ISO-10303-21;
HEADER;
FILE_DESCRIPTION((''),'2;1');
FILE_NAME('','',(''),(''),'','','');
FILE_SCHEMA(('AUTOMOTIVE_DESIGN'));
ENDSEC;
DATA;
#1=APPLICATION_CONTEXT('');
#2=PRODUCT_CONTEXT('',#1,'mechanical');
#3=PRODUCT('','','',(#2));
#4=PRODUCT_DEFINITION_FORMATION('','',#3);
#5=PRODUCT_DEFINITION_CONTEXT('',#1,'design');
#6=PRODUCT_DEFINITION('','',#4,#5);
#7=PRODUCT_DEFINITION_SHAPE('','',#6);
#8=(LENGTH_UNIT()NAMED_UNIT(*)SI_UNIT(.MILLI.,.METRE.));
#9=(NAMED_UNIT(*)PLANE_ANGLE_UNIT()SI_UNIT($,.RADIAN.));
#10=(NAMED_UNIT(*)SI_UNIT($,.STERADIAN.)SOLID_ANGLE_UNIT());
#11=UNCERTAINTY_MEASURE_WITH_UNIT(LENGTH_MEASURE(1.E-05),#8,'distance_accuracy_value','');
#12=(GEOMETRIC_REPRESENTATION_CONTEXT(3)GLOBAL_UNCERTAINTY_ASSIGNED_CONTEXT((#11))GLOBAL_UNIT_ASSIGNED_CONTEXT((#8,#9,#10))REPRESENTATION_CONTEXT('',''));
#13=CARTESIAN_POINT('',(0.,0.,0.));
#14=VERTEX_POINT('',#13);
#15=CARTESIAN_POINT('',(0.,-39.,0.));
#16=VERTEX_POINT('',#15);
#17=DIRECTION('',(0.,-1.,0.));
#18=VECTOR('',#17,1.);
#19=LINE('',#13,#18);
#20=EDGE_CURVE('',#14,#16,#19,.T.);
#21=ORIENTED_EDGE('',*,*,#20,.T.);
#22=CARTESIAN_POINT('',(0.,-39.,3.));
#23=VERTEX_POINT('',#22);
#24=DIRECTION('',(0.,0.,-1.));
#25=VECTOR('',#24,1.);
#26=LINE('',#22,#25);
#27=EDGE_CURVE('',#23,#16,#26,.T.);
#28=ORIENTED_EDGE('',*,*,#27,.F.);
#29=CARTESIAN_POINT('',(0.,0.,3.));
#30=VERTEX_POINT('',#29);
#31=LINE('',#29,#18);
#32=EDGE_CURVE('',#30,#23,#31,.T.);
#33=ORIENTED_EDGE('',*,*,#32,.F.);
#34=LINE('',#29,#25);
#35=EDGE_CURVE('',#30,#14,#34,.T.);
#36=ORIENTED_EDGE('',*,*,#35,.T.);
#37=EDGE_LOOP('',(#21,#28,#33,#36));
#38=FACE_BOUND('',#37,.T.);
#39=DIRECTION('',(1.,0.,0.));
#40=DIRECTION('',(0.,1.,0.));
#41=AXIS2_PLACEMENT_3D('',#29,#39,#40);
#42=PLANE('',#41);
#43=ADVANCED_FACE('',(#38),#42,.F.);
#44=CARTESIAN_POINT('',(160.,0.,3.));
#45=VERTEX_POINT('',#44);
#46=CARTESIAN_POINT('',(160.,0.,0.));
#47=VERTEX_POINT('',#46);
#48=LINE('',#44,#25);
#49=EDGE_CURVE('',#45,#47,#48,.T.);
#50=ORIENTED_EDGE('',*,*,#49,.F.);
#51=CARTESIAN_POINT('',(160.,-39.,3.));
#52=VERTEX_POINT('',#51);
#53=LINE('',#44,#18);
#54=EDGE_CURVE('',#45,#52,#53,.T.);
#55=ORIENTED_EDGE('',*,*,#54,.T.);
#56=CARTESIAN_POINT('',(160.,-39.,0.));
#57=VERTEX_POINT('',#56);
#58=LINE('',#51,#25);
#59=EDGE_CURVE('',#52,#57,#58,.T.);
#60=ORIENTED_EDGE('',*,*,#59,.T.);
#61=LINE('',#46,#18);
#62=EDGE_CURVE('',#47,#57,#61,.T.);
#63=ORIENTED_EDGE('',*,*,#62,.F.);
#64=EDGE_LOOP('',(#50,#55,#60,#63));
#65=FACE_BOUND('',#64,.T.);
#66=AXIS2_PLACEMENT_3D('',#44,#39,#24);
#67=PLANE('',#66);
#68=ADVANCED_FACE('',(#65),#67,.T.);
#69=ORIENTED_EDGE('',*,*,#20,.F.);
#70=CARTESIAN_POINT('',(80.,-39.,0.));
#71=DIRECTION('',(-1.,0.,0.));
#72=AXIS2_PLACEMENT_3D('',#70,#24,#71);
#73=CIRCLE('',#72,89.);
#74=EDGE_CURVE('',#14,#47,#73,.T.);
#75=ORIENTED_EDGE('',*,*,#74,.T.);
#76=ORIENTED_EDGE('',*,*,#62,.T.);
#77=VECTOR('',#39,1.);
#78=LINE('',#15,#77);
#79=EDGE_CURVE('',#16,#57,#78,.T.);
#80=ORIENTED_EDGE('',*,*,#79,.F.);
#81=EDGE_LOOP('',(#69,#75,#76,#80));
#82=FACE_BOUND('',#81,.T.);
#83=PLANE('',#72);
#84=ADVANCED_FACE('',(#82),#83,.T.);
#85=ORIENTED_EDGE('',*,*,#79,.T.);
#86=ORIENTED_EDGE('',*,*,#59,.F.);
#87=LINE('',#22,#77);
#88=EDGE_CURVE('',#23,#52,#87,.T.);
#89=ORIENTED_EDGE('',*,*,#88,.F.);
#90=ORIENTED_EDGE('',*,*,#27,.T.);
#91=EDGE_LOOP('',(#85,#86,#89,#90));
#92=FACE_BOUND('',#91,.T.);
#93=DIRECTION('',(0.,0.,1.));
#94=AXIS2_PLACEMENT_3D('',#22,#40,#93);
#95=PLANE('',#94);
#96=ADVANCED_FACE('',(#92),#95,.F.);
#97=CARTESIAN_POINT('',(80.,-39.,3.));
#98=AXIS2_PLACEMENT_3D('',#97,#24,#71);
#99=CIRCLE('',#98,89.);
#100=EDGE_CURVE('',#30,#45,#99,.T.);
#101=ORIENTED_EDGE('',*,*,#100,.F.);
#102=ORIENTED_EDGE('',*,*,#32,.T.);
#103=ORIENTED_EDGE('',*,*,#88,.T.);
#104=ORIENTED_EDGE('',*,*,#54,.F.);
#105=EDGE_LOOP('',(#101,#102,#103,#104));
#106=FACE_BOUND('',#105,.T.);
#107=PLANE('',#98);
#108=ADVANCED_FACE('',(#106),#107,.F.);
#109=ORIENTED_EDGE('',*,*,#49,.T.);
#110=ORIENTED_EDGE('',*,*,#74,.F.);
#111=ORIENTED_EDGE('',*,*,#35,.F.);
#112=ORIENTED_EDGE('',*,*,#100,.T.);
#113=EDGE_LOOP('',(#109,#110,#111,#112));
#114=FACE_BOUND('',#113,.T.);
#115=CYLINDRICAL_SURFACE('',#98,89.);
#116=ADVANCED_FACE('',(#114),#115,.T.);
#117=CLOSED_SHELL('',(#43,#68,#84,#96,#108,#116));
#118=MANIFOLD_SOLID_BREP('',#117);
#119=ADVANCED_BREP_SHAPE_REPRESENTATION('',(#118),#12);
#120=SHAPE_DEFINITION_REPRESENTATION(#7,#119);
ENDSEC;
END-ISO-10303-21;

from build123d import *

# Parameters (mm, degrees)
BOSS_EXTRUDE1_DEPTH = 3


with BuildPart() as part:
    # Sketch1 → Boss-Extrude1 (new body)
    with BuildSketch(Plane.XY):
        with BuildLine():
            Line((160, 0), (160, -39))
            Line((160, -39), (0, -39))
            Line((0, -39), (0, 0))
            ThreePointArc((0, 0), (80, 50), (160, 0))
        make_face()
    extrude(amount=BOSS_EXTRUDE1_DEPTH)


solid = part.part
